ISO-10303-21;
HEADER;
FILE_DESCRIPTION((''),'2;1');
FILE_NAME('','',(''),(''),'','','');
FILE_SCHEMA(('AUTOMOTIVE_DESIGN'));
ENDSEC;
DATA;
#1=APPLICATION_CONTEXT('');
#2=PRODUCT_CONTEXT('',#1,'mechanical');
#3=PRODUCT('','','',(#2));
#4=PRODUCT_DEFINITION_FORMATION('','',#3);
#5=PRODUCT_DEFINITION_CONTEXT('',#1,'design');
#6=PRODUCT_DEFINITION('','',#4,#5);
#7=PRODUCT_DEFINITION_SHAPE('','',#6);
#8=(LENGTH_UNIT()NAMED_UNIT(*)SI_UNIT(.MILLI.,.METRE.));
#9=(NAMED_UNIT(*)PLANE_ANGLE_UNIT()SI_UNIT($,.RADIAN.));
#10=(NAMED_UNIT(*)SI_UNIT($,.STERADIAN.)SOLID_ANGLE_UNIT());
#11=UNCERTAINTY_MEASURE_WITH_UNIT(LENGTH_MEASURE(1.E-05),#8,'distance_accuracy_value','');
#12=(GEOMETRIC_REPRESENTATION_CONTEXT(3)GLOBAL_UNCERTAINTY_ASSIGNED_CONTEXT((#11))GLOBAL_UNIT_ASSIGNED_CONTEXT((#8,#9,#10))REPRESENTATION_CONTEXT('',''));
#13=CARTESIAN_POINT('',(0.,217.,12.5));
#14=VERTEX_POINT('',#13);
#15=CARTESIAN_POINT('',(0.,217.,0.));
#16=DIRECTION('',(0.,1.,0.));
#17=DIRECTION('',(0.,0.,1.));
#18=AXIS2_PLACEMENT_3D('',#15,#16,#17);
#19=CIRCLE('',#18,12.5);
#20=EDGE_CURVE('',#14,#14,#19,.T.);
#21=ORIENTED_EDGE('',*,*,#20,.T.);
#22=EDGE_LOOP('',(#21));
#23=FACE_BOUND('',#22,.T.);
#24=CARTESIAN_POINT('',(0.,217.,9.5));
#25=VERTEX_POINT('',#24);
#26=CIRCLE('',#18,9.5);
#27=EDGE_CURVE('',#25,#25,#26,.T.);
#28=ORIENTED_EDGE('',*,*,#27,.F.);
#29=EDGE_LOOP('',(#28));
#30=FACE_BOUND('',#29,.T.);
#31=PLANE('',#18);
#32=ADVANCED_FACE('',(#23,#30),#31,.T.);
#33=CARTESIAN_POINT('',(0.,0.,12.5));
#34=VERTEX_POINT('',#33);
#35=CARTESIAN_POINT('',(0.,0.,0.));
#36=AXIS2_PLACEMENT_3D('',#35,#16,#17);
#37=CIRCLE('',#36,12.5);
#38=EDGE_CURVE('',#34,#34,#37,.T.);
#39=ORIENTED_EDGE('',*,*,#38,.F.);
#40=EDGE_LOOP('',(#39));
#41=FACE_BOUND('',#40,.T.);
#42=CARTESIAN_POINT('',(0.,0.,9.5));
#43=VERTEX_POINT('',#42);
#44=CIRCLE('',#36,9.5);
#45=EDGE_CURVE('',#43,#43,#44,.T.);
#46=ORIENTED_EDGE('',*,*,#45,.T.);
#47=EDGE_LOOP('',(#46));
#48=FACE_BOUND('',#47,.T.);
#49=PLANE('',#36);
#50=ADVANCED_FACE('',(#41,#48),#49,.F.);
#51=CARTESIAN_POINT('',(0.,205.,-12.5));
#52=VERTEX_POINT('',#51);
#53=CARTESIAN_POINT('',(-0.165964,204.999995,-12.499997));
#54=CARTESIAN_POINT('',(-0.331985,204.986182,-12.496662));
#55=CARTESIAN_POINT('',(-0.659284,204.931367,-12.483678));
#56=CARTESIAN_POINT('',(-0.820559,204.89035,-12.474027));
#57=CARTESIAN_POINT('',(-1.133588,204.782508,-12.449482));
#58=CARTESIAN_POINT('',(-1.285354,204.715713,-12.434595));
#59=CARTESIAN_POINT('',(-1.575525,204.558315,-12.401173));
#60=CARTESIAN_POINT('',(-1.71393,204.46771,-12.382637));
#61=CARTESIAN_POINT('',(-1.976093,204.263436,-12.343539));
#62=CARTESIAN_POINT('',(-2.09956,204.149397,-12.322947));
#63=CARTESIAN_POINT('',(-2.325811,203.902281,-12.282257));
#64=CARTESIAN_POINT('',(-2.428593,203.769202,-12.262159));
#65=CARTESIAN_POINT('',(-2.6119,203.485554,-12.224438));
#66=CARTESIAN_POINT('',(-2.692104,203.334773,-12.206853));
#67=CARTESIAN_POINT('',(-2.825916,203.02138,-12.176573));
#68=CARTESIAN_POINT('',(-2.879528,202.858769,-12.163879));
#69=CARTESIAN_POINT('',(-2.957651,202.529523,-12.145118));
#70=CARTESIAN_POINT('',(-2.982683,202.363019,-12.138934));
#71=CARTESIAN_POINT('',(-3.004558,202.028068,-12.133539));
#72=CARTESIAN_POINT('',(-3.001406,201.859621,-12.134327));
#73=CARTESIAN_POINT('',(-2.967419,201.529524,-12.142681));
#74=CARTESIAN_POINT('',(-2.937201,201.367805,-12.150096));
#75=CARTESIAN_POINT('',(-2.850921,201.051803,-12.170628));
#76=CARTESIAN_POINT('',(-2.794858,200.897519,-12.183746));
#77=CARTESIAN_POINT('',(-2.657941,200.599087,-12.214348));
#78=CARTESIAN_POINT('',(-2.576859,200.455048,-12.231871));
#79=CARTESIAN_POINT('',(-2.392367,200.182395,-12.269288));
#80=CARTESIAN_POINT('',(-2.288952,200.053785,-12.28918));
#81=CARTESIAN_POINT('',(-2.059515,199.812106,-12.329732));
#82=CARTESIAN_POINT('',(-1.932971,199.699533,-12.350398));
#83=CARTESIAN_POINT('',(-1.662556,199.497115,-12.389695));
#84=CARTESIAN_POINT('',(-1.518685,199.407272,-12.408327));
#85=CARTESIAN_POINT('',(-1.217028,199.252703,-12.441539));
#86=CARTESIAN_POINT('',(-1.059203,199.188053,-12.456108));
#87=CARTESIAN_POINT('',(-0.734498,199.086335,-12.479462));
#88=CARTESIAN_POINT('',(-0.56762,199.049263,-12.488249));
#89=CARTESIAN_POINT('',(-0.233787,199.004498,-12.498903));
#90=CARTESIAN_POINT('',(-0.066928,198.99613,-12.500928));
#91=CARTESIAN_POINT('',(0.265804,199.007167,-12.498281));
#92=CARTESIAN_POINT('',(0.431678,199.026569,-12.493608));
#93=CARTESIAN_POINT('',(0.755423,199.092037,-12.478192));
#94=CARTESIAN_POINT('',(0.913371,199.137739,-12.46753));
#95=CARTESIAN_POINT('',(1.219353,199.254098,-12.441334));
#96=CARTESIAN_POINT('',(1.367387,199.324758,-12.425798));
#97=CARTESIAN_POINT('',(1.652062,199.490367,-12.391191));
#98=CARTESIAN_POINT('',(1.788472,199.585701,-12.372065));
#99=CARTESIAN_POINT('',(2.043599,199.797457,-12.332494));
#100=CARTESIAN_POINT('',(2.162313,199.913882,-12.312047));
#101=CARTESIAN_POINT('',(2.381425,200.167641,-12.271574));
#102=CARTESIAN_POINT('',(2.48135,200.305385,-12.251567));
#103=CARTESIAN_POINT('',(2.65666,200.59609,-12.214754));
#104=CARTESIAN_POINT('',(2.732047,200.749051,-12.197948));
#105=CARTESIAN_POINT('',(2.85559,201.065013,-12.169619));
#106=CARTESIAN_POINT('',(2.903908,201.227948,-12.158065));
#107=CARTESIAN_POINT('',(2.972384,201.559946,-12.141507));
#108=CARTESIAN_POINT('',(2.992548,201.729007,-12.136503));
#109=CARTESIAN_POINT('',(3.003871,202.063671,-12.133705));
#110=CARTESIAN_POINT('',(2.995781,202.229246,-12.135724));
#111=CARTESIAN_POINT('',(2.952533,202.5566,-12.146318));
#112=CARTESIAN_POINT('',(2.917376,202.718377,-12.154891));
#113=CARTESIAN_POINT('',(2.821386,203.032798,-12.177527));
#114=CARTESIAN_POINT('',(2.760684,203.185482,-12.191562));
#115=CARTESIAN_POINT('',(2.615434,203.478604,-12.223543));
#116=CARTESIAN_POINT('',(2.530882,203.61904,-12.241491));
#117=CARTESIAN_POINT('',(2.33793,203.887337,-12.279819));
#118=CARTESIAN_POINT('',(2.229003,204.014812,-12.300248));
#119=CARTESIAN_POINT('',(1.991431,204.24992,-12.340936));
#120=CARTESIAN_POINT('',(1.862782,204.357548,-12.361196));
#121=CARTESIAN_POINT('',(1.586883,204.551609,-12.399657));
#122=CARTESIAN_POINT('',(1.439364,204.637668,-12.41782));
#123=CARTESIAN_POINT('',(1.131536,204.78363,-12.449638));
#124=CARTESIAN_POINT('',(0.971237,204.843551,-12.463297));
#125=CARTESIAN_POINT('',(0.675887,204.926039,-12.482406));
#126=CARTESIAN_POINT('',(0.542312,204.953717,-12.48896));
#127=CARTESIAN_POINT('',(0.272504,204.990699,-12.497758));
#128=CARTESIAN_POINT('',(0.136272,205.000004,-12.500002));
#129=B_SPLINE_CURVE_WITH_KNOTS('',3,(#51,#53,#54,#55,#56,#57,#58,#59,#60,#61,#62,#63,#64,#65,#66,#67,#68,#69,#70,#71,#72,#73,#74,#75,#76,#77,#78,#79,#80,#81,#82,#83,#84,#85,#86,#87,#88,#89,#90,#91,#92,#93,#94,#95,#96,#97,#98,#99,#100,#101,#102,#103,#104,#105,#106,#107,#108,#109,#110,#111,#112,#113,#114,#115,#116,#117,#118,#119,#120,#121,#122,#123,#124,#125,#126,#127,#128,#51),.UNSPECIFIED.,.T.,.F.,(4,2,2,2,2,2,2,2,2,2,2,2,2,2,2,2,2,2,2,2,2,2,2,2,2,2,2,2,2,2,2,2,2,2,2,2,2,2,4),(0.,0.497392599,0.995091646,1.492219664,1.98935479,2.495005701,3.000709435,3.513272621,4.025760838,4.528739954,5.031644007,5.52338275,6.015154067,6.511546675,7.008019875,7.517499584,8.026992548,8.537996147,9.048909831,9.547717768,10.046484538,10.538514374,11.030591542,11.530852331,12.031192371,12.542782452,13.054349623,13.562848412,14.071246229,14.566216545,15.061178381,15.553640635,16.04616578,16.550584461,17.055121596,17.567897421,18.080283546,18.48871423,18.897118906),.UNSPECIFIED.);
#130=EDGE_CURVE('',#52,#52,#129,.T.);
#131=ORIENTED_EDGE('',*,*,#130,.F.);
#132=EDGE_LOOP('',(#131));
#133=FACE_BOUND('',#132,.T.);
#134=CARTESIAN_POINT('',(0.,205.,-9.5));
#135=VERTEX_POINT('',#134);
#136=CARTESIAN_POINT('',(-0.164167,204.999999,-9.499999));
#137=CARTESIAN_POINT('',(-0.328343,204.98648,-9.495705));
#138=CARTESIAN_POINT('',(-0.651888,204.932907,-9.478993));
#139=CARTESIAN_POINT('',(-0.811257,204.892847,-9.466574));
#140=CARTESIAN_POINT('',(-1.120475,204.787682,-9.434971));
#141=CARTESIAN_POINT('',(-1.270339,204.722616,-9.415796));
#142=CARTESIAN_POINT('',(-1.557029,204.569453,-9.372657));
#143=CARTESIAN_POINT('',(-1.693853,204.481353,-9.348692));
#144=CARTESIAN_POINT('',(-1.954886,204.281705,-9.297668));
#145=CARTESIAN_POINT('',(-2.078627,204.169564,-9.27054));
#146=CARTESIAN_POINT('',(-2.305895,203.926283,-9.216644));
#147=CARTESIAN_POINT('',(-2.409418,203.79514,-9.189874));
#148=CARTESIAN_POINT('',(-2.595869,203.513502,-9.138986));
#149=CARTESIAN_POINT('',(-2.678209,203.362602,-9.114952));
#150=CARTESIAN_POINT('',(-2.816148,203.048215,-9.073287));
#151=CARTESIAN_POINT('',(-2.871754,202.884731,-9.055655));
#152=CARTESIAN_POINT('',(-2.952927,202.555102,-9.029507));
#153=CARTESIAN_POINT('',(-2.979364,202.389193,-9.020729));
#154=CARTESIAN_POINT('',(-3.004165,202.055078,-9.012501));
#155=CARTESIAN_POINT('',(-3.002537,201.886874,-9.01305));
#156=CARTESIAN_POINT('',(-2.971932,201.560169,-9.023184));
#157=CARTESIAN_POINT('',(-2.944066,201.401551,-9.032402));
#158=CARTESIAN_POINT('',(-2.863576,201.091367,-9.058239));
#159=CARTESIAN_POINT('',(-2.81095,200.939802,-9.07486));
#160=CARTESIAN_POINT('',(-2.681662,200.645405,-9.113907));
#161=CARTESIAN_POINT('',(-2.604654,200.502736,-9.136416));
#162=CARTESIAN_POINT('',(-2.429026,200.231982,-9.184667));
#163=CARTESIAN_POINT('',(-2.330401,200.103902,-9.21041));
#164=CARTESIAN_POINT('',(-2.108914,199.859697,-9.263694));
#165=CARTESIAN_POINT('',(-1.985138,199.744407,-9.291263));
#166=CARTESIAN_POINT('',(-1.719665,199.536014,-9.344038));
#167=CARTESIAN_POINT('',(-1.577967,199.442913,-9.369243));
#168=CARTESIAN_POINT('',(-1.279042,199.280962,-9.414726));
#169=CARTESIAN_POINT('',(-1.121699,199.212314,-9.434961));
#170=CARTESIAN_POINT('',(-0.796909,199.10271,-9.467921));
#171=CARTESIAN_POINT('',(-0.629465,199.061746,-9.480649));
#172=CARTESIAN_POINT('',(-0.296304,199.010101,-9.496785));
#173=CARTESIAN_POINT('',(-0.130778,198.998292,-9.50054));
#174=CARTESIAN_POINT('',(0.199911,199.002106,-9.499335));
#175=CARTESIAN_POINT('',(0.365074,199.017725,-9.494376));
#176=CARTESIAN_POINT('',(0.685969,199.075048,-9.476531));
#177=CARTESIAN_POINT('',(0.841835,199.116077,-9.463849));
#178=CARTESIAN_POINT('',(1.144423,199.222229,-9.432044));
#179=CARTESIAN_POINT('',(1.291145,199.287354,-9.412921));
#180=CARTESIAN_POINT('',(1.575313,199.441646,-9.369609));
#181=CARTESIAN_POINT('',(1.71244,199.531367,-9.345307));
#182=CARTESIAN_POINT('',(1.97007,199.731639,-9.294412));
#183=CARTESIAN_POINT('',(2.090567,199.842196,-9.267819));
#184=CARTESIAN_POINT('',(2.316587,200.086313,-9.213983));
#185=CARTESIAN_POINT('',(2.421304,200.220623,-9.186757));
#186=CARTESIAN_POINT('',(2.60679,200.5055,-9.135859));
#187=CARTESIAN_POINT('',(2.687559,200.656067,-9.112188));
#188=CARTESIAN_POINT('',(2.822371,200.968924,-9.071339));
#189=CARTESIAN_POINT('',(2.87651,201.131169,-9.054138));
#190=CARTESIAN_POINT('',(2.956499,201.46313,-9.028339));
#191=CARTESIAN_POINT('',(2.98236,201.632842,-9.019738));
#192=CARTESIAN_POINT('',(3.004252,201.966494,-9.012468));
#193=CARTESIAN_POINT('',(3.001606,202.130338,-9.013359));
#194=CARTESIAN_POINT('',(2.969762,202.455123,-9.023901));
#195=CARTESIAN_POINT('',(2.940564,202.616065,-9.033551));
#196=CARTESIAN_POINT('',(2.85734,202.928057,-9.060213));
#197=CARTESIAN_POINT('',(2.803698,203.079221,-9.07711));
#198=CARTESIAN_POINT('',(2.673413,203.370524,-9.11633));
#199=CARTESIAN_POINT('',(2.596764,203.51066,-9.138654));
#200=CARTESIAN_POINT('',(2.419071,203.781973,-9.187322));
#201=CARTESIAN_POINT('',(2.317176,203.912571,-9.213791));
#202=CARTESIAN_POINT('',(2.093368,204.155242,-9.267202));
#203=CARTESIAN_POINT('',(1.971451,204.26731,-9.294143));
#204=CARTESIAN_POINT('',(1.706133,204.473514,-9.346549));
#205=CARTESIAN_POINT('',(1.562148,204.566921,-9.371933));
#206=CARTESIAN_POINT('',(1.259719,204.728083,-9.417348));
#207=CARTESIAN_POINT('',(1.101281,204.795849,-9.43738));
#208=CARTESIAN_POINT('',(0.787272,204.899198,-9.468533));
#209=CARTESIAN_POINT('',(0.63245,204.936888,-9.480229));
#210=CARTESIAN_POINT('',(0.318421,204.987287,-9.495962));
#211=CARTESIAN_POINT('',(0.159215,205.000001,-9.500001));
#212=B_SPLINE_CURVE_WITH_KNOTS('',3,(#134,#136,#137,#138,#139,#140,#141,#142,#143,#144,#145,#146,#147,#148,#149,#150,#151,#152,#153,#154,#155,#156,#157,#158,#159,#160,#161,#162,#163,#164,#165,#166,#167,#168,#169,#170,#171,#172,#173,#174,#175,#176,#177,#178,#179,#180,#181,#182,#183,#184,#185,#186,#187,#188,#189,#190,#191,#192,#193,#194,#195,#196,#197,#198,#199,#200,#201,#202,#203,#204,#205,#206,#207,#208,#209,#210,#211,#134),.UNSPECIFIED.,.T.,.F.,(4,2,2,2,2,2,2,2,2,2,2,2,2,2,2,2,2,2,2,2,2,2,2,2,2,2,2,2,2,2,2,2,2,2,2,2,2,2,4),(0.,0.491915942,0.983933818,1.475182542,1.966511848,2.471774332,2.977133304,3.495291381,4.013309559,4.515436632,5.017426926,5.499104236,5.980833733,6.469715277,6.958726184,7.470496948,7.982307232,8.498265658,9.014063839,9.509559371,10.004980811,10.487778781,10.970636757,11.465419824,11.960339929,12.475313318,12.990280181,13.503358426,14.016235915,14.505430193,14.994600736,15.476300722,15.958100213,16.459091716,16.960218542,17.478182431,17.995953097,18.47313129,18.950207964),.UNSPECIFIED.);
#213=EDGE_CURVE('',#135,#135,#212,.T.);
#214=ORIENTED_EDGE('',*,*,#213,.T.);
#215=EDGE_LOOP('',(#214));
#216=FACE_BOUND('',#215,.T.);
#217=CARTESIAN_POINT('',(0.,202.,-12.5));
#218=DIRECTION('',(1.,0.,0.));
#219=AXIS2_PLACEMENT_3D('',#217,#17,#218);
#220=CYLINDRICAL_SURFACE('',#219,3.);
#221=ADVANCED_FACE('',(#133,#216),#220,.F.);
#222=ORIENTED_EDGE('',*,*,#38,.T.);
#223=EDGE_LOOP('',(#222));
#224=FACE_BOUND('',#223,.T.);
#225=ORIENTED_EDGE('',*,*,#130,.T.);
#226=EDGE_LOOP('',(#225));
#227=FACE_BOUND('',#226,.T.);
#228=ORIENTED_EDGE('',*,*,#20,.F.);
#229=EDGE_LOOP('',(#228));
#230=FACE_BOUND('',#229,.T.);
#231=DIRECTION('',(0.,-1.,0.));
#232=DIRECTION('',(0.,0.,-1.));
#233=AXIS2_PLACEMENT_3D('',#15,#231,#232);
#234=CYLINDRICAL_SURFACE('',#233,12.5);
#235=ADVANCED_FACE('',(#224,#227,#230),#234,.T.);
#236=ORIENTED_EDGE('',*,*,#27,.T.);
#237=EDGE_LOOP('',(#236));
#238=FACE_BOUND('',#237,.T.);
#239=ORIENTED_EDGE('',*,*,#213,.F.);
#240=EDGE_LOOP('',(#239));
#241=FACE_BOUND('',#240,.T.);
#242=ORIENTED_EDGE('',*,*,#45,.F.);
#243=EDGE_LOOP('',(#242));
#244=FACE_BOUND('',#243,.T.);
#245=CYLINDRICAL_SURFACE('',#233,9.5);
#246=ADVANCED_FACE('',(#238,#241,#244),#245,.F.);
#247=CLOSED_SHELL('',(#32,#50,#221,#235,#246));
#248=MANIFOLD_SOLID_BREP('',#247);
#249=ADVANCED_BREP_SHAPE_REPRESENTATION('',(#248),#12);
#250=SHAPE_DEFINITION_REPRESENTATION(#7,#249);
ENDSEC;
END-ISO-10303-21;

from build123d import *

# Parameters (mm, degrees)
SKETCH_1_R          = 12.5
SKETCH_1_R_2        = 9.5
EXTRUDE_1_DEPTH     = 217
SKETCH_2_R          = 3
CUT_EXTRUDE_1_DEPTH = 218.718855408


with BuildPart() as part:
    # Эскиз1 → Бобышка-Вытянуть1 (new body)
    with BuildSketch(Plane(origin=(0, 0, 0), x_dir=(1, 0, 0), z_dir=(0, 1, 0))):
        with Locations(Location((0, 0, 0), (0, 0, 270))):
            Circle(SKETCH_1_R)
        with Locations(Location((0, 0, 0), (0, 0, 270))):
            Circle(SKETCH_1_R_2, mode=Mode.SUBTRACT)
    extrude(amount=EXTRUDE_1_DEPTH)

    # Эскиз2 → Вырез-Вытянуть1 (cut, through all)
    with BuildSketch(Plane.XY):
        with Locations(Location((0, 202, 0), (0, 0, 90))):
            Circle(SKETCH_2_R)
    extrude(amount=-CUT_EXTRUDE_1_DEPTH, mode=Mode.SUBTRACT)


solid = part.part
